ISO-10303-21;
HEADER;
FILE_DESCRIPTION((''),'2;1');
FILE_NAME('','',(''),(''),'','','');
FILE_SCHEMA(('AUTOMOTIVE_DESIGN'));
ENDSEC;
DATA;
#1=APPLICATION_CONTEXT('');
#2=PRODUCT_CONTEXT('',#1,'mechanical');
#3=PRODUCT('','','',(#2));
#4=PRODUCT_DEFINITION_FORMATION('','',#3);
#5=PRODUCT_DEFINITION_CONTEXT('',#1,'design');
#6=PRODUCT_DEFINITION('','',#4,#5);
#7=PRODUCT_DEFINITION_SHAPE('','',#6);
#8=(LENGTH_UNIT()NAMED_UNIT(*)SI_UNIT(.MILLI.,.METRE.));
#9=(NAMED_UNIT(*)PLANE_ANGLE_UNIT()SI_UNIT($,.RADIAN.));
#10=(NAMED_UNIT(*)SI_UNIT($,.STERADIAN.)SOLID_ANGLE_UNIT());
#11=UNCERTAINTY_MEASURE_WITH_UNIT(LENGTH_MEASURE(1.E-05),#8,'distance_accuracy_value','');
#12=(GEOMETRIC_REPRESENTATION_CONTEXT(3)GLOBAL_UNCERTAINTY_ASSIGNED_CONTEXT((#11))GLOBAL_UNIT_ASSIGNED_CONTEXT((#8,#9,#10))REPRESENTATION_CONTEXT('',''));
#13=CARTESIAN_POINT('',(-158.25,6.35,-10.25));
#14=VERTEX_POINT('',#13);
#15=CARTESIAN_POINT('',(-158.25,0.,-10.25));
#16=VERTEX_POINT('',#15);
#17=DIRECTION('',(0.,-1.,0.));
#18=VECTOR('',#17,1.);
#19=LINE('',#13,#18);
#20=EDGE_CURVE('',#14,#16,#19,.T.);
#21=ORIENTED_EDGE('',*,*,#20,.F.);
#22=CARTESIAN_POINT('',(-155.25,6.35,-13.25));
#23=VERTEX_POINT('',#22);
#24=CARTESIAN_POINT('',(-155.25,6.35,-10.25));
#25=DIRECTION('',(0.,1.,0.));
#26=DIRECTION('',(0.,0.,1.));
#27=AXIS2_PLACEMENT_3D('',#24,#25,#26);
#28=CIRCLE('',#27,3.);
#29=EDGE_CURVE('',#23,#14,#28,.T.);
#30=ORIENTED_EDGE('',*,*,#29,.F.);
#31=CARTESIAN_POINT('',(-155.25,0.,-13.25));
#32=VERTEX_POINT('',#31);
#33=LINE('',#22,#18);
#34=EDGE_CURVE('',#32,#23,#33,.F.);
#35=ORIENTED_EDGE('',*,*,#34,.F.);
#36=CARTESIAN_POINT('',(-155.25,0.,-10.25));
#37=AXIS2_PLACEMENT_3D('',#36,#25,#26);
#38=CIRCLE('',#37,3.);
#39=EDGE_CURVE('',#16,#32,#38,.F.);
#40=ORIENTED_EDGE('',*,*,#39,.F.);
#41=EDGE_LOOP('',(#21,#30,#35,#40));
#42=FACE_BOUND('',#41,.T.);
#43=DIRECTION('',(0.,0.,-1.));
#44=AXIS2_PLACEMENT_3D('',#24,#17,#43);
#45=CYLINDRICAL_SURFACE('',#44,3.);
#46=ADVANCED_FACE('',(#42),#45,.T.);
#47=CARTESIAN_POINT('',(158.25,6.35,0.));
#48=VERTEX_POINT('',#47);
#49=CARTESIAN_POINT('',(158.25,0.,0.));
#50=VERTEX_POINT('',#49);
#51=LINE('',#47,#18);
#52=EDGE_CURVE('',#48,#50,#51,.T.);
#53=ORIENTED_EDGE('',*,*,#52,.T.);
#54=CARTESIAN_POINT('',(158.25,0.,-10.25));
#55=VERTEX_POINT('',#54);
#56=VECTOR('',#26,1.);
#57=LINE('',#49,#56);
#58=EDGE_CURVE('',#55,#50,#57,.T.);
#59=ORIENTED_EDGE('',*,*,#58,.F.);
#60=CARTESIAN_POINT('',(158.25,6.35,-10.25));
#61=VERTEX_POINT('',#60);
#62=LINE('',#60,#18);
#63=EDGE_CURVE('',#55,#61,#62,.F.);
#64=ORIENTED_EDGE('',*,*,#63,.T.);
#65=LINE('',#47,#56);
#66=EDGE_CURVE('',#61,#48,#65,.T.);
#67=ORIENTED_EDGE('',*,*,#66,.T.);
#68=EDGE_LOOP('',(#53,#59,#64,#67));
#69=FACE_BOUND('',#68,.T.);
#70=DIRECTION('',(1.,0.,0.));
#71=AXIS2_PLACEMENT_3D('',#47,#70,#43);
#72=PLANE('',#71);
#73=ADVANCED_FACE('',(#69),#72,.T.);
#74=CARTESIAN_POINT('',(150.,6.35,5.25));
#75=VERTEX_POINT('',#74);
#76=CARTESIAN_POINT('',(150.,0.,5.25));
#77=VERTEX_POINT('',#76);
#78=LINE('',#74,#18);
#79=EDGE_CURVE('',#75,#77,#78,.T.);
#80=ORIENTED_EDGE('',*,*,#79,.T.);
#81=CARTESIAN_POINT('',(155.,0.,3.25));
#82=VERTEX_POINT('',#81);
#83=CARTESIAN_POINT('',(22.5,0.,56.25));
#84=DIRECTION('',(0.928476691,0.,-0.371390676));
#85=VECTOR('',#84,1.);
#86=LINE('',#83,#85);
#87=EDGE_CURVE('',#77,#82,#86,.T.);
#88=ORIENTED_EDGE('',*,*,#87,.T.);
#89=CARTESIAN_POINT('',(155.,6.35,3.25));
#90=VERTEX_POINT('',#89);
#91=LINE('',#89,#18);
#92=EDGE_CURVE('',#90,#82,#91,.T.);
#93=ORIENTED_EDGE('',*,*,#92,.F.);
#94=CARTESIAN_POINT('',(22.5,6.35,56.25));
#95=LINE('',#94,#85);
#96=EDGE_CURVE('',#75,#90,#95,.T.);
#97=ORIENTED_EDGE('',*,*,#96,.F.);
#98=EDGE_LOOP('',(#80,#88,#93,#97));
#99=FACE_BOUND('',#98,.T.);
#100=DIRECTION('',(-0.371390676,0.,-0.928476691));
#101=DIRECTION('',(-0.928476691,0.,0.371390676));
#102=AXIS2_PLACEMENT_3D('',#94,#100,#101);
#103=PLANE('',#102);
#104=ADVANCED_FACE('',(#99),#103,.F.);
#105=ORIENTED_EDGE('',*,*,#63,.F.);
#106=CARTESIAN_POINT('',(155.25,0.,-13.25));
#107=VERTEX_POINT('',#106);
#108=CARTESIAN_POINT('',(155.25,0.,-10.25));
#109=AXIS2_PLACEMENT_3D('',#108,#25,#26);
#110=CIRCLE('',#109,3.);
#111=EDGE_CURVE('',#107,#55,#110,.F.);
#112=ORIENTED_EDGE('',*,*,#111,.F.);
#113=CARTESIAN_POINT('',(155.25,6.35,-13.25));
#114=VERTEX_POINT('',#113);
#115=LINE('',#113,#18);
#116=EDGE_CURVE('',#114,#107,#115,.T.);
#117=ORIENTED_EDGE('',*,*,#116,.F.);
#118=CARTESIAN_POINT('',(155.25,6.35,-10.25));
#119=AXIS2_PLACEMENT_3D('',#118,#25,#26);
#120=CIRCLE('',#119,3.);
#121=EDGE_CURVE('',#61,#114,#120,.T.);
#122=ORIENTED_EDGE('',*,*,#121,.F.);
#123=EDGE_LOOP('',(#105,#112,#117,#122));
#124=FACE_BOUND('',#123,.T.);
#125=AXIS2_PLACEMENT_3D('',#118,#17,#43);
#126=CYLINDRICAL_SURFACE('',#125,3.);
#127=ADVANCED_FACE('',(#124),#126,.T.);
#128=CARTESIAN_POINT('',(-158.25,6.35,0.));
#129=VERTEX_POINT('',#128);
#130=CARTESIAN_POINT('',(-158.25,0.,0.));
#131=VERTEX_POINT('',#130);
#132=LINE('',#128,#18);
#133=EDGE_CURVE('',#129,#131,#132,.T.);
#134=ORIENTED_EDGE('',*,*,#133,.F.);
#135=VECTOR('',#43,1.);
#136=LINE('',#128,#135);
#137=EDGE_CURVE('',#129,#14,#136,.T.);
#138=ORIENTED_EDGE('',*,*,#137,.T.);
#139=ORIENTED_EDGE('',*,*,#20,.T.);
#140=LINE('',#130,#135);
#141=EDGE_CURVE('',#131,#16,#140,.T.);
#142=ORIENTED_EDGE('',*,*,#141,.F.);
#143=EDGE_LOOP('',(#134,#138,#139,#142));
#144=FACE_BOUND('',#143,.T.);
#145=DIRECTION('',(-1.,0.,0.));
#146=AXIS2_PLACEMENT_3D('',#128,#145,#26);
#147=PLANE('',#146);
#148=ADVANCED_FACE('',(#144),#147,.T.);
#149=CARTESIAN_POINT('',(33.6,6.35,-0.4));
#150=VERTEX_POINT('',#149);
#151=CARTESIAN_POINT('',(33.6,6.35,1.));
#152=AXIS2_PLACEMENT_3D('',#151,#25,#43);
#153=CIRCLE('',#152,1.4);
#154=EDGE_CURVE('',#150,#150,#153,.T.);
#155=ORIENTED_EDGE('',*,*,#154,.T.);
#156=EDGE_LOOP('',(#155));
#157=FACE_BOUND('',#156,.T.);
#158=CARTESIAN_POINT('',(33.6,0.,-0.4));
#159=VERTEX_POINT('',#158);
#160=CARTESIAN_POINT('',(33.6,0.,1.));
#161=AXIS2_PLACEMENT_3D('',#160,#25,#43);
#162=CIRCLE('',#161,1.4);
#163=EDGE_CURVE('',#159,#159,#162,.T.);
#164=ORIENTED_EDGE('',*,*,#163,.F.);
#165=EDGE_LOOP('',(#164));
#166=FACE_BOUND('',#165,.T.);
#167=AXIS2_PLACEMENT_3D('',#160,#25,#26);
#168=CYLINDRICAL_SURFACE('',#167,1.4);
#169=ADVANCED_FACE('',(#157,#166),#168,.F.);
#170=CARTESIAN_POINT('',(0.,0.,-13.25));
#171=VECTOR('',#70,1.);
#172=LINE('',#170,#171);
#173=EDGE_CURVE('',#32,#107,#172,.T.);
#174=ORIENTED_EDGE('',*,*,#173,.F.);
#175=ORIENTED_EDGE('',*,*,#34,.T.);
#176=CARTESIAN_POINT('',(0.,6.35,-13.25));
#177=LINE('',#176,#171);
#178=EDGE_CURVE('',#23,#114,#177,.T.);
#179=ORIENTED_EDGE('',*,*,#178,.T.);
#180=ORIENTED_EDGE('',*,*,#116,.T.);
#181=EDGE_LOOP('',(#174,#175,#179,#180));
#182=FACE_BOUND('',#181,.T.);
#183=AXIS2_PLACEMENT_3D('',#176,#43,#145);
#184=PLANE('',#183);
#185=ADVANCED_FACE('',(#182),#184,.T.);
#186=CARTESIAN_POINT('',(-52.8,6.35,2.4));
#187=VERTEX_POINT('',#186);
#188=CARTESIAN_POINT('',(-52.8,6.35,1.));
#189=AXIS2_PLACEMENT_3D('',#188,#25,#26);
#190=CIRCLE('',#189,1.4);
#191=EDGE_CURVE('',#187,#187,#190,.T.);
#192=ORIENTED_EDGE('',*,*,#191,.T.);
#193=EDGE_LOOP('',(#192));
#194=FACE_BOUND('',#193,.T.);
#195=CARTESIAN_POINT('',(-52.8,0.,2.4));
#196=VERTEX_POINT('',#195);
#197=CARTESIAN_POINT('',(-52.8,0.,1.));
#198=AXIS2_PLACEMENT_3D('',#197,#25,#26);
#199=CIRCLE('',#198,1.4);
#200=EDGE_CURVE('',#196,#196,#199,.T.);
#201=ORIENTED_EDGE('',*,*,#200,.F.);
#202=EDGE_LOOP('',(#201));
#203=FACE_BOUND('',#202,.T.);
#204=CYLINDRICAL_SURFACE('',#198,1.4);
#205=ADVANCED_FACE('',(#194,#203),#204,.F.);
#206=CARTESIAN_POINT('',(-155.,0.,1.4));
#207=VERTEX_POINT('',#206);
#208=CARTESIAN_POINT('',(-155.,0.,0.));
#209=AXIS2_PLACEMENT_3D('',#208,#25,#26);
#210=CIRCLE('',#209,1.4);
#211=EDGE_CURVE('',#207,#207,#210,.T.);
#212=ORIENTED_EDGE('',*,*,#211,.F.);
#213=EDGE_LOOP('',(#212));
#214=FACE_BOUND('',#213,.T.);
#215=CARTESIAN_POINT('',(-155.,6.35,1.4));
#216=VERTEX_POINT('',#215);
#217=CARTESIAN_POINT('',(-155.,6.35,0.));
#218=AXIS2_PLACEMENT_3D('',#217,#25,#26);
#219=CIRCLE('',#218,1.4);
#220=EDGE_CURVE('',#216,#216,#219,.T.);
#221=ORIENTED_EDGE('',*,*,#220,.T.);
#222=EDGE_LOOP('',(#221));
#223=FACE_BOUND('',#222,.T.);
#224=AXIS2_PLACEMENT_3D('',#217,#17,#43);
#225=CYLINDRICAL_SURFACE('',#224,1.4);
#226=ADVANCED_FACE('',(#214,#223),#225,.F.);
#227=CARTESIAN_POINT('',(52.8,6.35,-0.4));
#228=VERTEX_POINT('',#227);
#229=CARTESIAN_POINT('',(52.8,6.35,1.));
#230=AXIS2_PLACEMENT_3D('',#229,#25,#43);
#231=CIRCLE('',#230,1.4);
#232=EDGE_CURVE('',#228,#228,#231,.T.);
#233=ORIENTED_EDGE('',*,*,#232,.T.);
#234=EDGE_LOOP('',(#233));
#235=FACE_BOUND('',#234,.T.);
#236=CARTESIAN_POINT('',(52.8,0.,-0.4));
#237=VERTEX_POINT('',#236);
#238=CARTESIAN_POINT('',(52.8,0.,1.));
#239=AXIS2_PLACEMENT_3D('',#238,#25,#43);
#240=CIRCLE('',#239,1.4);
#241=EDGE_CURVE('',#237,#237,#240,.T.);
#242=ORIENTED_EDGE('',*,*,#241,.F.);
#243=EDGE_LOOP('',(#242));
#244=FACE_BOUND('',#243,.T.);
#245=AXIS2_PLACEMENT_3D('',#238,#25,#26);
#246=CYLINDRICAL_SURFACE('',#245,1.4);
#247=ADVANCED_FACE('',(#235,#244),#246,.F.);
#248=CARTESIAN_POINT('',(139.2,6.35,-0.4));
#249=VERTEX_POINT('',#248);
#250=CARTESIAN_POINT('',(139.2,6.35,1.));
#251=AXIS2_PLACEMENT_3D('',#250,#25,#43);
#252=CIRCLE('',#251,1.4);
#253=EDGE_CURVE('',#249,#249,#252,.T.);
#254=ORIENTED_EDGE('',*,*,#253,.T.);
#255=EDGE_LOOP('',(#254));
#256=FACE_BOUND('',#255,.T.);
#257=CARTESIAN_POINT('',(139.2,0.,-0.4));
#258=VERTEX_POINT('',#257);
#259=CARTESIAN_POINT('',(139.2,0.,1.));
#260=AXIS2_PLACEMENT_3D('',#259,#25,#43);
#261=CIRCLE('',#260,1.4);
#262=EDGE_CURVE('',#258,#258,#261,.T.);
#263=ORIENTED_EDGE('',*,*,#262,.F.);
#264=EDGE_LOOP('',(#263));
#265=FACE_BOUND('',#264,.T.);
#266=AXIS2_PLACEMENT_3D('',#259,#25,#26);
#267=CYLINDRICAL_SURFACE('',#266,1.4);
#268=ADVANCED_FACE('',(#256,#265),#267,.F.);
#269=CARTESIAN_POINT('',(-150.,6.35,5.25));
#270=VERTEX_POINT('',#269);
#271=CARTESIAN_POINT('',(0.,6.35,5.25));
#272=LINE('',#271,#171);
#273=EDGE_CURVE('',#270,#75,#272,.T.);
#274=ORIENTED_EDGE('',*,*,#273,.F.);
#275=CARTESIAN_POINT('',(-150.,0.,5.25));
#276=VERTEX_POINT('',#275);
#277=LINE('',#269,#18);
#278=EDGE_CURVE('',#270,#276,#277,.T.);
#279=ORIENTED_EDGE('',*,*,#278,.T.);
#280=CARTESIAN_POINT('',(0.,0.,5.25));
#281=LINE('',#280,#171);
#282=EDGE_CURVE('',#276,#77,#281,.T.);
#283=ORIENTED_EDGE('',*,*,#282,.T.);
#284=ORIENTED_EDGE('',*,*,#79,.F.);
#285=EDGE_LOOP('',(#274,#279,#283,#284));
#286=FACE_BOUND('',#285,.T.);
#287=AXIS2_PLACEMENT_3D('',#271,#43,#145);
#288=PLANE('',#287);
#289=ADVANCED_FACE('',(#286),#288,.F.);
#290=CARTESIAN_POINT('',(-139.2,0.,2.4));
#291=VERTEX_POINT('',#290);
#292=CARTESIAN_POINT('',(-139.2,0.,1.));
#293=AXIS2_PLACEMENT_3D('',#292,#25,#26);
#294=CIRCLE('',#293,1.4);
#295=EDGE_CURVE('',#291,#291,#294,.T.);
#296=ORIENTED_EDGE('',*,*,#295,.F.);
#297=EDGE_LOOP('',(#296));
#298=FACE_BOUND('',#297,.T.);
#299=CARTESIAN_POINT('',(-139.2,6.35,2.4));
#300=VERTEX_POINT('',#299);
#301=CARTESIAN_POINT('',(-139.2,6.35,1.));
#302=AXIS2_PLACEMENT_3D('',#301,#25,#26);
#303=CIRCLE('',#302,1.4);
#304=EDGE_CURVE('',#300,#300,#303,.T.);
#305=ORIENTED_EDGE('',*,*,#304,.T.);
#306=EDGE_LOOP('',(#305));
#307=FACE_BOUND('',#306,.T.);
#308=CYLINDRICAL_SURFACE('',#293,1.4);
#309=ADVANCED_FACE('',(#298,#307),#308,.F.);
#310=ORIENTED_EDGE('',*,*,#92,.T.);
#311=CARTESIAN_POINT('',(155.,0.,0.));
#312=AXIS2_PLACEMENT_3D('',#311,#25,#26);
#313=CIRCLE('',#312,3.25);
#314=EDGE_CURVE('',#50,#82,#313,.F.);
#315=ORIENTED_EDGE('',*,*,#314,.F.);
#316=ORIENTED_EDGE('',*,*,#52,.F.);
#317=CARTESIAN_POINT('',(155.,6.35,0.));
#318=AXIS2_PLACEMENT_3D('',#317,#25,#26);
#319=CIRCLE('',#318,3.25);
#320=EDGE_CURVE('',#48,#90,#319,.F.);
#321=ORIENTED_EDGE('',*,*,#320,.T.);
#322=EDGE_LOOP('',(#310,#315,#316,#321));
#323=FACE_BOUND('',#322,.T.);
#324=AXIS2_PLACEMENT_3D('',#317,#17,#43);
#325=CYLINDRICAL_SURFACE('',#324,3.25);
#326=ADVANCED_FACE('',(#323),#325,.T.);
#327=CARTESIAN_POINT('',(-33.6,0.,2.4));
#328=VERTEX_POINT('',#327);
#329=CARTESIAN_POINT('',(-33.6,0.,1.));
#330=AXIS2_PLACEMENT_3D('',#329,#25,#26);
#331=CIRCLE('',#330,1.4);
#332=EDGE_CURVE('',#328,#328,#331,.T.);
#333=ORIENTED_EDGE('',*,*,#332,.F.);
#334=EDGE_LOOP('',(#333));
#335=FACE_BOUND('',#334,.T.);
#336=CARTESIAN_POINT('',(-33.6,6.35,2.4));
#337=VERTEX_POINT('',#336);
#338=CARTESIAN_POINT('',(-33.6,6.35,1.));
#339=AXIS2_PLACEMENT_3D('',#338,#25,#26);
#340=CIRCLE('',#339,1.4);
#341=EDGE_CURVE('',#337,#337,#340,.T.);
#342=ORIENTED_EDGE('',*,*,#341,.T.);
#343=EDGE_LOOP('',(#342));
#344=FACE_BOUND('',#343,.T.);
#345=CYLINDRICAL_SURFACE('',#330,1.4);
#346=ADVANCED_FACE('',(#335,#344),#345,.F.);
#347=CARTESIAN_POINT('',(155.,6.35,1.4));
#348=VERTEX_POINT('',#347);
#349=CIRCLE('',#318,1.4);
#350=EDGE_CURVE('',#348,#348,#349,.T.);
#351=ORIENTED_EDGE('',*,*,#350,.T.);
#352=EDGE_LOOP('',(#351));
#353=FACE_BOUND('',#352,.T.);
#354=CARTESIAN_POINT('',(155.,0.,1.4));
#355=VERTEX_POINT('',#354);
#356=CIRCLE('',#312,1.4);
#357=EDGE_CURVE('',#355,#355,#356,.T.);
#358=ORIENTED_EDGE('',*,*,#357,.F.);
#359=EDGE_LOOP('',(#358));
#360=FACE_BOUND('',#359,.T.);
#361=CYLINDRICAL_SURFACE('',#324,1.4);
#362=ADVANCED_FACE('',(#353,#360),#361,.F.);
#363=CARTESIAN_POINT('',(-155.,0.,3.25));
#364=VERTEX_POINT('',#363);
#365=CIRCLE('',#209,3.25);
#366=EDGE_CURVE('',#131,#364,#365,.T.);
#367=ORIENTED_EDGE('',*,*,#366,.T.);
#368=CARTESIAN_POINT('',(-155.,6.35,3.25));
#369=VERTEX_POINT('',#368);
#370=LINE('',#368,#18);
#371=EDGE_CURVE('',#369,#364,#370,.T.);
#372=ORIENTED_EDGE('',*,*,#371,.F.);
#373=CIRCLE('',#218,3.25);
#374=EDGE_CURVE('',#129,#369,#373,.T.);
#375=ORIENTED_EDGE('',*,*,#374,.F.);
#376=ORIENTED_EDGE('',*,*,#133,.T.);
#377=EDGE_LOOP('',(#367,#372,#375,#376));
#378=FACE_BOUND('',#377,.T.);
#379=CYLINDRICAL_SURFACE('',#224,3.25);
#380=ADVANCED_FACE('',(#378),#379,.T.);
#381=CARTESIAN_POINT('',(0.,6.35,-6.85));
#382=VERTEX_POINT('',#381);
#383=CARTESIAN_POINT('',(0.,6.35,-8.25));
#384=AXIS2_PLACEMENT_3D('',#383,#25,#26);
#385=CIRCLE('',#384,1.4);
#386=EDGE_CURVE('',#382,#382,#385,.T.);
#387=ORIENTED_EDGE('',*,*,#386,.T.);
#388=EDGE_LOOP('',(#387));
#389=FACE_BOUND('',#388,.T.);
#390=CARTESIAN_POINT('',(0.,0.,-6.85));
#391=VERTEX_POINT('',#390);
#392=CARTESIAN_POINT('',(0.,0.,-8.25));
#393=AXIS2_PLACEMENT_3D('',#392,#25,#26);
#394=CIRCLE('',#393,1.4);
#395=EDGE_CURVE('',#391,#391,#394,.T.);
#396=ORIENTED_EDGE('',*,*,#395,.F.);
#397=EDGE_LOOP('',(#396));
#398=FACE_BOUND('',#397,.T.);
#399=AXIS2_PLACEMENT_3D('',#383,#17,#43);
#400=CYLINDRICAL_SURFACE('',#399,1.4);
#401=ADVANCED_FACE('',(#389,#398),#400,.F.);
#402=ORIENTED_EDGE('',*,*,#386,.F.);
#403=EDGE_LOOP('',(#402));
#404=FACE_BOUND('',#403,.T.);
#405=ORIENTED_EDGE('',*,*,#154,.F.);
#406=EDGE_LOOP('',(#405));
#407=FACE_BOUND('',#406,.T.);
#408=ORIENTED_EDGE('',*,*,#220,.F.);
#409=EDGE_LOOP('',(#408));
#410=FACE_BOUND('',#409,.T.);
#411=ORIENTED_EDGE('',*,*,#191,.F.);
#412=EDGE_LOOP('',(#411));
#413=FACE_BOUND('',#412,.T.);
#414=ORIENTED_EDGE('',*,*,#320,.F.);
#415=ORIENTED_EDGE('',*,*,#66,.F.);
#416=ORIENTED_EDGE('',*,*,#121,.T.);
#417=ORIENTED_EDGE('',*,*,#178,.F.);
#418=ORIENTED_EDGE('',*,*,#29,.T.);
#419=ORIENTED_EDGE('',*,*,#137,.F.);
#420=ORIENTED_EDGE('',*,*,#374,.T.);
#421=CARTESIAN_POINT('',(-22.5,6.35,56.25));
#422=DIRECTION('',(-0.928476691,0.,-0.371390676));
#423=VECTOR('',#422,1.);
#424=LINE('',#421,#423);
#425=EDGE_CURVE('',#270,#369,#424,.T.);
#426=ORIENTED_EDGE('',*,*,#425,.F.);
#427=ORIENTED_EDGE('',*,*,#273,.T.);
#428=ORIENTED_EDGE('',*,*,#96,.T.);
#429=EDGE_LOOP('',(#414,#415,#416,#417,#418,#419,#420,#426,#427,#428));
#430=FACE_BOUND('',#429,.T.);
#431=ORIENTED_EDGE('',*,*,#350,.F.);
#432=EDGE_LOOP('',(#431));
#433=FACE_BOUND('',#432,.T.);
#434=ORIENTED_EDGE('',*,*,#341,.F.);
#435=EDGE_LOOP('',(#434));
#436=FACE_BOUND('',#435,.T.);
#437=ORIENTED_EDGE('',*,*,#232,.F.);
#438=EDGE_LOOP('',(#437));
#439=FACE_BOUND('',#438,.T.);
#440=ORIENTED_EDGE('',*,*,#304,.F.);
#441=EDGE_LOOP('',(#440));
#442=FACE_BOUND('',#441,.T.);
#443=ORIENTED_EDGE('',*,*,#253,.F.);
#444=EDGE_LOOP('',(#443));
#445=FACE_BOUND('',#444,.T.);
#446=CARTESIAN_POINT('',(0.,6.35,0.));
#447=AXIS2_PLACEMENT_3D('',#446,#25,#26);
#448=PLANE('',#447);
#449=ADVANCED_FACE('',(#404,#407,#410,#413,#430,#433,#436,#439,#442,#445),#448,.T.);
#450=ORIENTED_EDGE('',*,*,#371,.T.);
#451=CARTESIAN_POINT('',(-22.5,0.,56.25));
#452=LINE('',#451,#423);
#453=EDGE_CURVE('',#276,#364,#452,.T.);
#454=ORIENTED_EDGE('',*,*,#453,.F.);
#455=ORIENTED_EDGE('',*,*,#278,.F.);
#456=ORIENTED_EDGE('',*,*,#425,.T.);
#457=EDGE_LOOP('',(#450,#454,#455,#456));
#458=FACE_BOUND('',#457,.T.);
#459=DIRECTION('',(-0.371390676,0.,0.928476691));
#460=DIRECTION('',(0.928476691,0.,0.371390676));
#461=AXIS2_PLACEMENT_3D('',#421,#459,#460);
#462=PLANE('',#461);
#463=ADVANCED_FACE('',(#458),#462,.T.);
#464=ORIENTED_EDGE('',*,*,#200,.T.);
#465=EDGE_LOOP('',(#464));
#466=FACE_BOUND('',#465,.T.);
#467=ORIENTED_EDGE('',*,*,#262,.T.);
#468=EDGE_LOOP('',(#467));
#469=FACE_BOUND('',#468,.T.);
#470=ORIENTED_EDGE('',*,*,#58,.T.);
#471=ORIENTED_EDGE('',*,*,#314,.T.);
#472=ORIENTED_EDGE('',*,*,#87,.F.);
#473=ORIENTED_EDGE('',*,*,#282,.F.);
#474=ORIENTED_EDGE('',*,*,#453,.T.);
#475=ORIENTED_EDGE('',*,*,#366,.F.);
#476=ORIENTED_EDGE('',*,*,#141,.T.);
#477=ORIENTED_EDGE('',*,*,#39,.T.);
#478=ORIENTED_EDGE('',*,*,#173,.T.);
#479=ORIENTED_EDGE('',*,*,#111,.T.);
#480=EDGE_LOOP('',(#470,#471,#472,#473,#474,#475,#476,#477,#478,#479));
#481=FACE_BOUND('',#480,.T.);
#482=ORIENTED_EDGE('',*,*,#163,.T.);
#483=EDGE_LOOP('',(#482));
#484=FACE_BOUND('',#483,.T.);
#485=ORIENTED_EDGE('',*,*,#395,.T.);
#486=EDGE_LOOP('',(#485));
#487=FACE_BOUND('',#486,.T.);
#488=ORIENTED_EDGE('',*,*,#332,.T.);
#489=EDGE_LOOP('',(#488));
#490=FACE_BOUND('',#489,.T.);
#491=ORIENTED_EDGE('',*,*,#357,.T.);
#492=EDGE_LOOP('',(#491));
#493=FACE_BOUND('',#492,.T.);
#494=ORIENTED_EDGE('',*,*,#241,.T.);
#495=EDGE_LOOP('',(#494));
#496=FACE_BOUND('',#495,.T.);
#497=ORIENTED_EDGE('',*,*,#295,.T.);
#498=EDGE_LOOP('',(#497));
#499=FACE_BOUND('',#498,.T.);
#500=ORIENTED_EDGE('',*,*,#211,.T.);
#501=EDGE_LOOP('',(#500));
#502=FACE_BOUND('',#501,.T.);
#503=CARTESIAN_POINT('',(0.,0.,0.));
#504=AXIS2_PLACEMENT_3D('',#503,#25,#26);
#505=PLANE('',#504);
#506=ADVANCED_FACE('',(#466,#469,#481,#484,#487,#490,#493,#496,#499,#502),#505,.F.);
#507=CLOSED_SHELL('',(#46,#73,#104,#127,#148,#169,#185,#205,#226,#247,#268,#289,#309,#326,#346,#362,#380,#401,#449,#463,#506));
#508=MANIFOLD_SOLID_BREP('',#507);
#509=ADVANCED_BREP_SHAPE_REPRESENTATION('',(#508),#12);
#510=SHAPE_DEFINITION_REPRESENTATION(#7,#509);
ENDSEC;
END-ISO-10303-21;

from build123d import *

# Parameters (mm, degrees)
SKETCH1_R           = 1.4
BOSS_EXTRUDE1_DEPTH = 6.35
FILLET1_R           = 3
SKETCH2_R           = 1.4
CUT_EXTRUDE1_DEPTH  = 159.930637386


with BuildPart() as part:
    # Sketch1 → Boss-Extrude1 (new body)
    with BuildSketch(Plane(origin=(0, 0, 0), x_dir=(1, 0, 0), z_dir=(0, 1, 0))):
        with BuildLine():
            Line((-158.25, 13.25), (-158.25, 0))
            ThreePointArc((-158.25, 0), (-157.298097039, -2.298097039), (-155, -3.25))
            Line((-155, -3.25), (-150, -5.25))
            Line((-150, -5.25), (150, -5.25))
            Line((150, -5.25), (155, -3.25))
            ThreePointArc((155, -3.25), (157.298097039, -2.298097039), (158.25, 0))
            Line((158.25, 0), (158.25, 13.25))
            Line((158.25, 13.25), (-158.25, 13.25))
        make_face()
        with Locations(Location((155, 0, 0), (0, 0, 270))):
            Circle(SKETCH1_R, mode=Mode.SUBTRACT)
        with Locations(Location((-155, 0, 0), (0, 0, 270))):
            Circle(SKETCH1_R, mode=Mode.SUBTRACT)
        with Locations(Location((0, 8.25, 0), (0, 0, 270))):
            Circle(SKETCH1_R, mode=Mode.SUBTRACT)
    extrude(amount=BOSS_EXTRUDE1_DEPTH)

    # Fillet1
    fillet1_edges = [part.edges().sort_by_distance(p)[0] for p in [
        (-158.25, 3.175, -13.25),
        (158.25, 3.175, -13.25),
    ]]
    fillet(fillet1_edges, radius=FILLET1_R)

    # Sketch2 → Cut-Extrude1 (cut, through all)
    with BuildSketch(Plane(origin=(0, 6.35, 0), x_dir=(1, 0, 0), z_dir=(0, 1, 0))):
        with Locations(Location((-33.6, -1, 0), (0, 0, 270))):
            Circle(SKETCH2_R)
        with Locations(Location((-52.8, -1, 0), (0, 0, 270))):
            Circle(SKETCH2_R)
        with Locations(Location((-139.2, -1, 0), (0, 0, 270))):
            Circle(SKETCH2_R)
        with Locations(Location((139.2, -1, 0), (0, 0, 90))):
            Circle(SKETCH2_R)
        with Locations(Location((52.8, -1, 0), (0, 0, 90))):
            Circle(SKETCH2_R)
        with Locations(Location((33.6, -1, 0), (0, 0, 90))):
            Circle(SKETCH2_R)
    extrude(amount=-CUT_EXTRUDE1_DEPTH, mode=Mode.SUBTRACT)


solid = part.part
